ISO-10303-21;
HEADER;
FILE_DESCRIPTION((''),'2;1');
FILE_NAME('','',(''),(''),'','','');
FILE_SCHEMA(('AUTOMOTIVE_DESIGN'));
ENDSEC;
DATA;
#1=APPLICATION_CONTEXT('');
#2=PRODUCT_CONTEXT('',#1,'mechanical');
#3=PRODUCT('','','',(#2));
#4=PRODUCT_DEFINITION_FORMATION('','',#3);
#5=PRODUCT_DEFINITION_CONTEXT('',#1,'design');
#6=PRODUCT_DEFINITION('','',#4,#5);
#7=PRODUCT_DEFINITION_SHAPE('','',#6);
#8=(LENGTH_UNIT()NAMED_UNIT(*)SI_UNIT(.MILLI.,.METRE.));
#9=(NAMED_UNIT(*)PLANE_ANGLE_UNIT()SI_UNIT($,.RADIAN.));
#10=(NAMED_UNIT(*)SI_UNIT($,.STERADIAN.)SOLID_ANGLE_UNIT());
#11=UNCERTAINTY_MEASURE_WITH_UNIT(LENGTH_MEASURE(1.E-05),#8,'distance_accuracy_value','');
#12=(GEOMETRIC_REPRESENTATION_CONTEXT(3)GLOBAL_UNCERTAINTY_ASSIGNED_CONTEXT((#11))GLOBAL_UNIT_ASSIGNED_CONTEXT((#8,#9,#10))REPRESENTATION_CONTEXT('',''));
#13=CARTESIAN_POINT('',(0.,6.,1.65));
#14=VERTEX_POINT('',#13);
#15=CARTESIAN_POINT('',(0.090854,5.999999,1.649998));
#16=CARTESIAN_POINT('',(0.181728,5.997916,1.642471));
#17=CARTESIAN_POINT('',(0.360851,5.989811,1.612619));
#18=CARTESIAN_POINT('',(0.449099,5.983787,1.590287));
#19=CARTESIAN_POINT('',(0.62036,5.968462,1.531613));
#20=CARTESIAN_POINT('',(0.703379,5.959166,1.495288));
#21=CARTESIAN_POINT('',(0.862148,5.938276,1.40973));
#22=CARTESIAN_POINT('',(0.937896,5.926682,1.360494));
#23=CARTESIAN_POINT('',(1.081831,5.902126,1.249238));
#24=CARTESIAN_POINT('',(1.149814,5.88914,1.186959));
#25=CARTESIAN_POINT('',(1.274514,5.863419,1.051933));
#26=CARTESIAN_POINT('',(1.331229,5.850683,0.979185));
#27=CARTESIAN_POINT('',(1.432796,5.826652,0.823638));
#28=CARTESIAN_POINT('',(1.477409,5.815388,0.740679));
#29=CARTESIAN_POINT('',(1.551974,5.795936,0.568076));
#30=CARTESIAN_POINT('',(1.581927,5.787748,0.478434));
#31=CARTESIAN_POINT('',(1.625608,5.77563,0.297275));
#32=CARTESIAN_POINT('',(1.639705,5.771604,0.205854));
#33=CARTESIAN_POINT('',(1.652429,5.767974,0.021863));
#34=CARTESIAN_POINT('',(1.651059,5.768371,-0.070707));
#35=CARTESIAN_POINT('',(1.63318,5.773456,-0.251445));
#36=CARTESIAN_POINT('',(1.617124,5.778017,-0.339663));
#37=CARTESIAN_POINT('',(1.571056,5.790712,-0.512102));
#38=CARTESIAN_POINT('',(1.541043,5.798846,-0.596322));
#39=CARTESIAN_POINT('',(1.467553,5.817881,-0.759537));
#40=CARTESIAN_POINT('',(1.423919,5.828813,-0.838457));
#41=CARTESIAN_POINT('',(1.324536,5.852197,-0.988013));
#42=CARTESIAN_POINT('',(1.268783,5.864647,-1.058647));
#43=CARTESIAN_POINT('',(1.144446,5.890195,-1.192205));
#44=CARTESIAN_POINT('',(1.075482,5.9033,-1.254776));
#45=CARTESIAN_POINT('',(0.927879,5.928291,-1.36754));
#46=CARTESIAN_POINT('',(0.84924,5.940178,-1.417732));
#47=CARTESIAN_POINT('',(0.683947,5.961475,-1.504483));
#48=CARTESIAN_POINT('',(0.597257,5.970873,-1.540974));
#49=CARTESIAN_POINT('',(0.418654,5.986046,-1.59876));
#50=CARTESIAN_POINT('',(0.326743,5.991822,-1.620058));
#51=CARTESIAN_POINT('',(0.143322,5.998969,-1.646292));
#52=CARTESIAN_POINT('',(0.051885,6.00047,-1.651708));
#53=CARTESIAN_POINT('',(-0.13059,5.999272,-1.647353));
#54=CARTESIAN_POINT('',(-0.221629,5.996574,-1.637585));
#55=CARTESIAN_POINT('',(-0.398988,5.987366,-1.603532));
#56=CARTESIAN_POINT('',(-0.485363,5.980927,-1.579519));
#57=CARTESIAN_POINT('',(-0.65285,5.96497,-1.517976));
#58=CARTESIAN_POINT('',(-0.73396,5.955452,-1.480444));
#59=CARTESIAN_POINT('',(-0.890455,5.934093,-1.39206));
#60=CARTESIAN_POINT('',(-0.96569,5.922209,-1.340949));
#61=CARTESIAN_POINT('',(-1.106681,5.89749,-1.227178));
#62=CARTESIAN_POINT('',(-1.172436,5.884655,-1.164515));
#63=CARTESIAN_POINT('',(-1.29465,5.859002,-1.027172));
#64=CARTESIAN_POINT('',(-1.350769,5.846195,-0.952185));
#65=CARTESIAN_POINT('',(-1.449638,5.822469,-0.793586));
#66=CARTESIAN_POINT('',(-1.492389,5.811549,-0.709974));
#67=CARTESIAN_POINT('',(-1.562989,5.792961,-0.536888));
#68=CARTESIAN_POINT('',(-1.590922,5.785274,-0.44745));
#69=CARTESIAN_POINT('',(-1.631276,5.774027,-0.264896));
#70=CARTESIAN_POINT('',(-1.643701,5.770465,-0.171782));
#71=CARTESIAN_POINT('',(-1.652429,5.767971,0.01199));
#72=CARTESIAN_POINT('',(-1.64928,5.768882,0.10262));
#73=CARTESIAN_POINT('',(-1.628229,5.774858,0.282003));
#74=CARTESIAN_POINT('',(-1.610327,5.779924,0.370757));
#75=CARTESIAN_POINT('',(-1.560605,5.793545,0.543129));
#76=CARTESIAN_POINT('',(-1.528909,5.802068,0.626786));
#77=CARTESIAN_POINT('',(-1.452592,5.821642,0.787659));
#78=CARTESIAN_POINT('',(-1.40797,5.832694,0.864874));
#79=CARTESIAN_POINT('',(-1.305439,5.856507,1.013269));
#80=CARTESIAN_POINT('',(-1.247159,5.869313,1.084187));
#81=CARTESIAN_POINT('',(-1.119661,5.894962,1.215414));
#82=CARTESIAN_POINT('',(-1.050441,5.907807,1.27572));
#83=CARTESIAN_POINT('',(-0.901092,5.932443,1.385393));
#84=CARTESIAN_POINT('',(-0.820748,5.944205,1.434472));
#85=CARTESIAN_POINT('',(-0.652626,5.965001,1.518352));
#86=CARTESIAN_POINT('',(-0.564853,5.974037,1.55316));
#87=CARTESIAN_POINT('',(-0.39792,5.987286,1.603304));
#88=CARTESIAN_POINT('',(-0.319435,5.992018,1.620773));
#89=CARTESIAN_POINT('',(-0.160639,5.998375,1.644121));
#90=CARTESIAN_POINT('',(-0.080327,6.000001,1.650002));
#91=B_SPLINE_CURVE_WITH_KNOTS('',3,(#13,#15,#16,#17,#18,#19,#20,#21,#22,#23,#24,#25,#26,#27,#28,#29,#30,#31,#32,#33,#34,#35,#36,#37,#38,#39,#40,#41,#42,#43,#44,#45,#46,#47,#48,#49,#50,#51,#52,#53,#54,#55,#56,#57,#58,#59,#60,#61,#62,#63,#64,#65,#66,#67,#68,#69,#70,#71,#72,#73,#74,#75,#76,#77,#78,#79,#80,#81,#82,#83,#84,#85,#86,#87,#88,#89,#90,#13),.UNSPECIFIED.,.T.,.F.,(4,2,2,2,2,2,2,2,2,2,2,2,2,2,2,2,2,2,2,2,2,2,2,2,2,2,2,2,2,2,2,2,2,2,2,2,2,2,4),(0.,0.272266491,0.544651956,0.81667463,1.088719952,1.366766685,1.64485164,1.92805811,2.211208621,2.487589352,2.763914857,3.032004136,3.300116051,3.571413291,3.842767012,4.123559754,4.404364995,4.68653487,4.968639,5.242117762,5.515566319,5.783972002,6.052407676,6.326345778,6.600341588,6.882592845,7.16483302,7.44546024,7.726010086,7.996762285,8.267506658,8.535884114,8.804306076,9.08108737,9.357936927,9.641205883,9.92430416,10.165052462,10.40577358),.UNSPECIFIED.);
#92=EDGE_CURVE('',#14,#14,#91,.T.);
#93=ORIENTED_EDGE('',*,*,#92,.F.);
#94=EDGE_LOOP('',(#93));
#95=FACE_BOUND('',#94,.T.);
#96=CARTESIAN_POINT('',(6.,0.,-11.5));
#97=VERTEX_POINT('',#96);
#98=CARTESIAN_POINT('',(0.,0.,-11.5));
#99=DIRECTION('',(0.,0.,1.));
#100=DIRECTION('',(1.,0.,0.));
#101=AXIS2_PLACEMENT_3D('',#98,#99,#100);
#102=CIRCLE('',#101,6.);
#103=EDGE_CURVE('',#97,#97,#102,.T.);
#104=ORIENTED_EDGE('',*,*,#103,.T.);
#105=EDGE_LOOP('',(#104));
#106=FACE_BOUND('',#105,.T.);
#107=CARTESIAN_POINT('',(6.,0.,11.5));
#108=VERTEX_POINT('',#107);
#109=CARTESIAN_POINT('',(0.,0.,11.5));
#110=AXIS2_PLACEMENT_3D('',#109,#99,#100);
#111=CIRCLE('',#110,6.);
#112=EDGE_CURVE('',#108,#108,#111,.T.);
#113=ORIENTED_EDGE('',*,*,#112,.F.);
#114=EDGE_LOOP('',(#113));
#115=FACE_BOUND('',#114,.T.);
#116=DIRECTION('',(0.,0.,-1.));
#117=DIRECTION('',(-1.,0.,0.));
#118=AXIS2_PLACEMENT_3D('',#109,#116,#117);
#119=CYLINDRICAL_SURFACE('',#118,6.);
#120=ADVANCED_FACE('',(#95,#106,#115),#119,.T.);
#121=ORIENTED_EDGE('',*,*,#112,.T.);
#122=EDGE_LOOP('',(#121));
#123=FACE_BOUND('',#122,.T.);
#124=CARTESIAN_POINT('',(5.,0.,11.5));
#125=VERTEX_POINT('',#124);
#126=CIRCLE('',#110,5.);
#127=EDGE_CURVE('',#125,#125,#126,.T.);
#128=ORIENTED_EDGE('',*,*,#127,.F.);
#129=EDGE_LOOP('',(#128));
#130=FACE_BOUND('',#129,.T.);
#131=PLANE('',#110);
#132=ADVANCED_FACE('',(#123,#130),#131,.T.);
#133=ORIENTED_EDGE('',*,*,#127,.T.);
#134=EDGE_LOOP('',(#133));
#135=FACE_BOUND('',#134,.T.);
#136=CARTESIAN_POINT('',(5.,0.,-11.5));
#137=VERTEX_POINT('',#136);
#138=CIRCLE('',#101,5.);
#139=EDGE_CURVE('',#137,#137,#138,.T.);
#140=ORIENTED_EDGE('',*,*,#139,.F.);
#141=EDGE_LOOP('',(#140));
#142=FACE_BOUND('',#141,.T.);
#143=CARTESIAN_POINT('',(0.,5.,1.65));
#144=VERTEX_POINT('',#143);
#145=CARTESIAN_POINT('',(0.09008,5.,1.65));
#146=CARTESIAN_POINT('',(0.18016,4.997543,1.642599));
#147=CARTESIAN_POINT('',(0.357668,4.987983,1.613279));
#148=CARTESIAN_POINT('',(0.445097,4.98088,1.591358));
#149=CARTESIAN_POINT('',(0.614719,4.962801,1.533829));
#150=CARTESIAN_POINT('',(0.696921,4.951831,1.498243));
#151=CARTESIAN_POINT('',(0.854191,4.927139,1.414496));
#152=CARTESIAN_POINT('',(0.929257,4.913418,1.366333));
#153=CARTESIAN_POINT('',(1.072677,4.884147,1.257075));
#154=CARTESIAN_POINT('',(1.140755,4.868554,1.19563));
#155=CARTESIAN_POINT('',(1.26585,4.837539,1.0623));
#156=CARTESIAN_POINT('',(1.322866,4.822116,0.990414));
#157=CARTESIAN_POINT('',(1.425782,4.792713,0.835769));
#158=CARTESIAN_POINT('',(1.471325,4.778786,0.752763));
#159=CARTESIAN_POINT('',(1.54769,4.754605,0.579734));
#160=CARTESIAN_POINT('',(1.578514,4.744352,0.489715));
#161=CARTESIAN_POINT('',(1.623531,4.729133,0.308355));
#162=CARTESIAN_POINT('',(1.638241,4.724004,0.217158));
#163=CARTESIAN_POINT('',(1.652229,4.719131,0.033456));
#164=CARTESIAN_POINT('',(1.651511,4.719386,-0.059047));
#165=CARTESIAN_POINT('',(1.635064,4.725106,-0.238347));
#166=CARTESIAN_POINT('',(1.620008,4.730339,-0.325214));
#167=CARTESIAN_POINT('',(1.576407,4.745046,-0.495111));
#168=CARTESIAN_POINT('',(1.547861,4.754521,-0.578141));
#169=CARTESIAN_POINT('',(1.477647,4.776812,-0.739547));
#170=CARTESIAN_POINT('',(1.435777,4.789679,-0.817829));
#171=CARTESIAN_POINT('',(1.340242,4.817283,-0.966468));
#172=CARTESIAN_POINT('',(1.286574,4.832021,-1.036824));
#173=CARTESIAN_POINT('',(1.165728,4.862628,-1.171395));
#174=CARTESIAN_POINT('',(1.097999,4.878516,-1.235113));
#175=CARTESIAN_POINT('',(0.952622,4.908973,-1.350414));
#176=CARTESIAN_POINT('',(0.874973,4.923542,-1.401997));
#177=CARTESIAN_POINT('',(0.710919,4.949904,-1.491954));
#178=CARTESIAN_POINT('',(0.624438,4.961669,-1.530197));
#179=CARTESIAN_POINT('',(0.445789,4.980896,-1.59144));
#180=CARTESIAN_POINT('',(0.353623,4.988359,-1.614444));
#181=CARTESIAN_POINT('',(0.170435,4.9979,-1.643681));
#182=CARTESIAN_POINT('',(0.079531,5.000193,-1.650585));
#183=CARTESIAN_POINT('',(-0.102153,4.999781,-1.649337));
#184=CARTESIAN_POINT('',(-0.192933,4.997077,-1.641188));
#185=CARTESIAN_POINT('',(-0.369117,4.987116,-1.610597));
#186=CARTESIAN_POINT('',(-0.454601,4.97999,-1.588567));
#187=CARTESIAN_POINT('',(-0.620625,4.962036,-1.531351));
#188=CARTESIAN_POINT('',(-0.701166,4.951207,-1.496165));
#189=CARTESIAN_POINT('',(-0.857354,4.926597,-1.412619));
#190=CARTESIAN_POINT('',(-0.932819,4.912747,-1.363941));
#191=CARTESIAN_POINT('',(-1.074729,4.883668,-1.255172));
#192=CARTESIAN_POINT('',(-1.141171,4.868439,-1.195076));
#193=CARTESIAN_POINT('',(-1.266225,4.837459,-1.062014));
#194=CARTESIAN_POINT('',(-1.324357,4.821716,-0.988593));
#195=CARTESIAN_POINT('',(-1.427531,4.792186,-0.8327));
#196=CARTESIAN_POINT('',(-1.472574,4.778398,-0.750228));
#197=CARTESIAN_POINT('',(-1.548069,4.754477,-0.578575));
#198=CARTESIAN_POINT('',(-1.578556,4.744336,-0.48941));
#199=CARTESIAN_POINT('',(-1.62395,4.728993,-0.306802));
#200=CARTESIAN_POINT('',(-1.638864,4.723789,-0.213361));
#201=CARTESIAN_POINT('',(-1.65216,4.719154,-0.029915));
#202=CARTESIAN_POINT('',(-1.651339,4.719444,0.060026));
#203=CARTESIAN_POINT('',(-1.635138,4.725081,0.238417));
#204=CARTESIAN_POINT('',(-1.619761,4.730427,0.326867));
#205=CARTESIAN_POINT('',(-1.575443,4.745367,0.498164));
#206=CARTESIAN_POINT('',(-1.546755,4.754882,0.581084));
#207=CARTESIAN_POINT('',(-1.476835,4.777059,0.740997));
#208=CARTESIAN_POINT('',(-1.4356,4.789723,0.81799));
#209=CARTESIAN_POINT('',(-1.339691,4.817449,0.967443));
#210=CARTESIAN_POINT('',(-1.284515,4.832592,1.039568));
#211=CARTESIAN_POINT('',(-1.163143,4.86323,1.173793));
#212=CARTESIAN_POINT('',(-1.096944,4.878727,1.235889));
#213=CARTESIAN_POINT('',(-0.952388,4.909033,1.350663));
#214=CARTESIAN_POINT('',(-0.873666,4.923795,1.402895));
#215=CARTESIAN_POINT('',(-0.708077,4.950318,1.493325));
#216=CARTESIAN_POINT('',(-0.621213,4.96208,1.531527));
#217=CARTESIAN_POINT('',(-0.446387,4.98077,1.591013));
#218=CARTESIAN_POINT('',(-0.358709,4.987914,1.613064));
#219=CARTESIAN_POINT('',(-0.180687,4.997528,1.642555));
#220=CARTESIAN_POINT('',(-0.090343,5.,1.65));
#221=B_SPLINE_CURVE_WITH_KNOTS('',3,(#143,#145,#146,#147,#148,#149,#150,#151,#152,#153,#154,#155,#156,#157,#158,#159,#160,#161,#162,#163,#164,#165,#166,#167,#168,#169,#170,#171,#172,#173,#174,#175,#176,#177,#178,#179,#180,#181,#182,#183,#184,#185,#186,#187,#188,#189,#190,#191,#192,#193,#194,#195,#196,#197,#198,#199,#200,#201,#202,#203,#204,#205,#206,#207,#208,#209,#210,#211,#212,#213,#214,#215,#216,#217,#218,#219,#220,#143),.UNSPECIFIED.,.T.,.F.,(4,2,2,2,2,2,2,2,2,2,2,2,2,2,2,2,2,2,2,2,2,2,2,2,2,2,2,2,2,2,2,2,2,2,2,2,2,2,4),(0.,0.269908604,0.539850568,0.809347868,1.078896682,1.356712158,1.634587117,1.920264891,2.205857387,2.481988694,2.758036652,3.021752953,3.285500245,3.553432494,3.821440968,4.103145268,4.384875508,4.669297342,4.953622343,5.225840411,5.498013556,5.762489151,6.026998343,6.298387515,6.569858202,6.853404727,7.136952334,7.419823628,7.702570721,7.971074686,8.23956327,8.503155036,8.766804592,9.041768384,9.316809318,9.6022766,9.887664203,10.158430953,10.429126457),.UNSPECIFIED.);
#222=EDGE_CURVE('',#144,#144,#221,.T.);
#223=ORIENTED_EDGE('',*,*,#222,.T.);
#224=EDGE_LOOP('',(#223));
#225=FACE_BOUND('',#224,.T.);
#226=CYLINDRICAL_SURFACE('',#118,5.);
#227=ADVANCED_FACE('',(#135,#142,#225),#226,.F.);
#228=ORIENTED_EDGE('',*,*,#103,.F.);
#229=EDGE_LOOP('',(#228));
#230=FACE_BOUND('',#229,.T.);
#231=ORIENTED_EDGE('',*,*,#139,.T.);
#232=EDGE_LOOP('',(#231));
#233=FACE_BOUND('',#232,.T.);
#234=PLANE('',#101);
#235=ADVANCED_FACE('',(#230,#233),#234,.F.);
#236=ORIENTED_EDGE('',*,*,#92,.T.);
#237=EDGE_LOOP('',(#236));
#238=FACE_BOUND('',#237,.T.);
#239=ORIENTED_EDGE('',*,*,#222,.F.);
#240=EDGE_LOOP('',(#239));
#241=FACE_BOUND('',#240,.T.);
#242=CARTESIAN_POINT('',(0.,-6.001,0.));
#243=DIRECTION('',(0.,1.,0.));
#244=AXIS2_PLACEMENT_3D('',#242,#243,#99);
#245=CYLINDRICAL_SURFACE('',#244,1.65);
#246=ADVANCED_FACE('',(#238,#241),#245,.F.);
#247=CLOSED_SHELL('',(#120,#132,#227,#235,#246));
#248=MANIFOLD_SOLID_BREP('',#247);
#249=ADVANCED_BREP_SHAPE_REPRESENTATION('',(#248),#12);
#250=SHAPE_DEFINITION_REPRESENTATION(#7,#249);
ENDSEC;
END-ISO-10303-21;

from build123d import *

# Parameters (mm, degrees)
SKETCH1_R               = 6
SKETCH1_R_2             = 5
BOSS_EXTRUDE2_DEPTH     = 11.5
CUT_EXTRUDE1_REACH      = 19.671
CUT_EXTRUDE1_END_RADIUS = 5
SKETCH2_R               = 1.65


with BuildPart() as part:
    # Sketch1 → Boss-Extrude2 (new, symmetric)
    with BuildSketch(Plane.XY):
        Circle(SKETCH1_R)
        Circle(SKETCH1_R_2, mode=Mode.SUBTRACT)
    extrude(amount=BOSS_EXTRUDE2_DEPTH, both=True)

    # Cut-Extrude1: up to this cylinder (the profile starts outside it)
    cut_extrude1_end = Plane(origin=(0, 0, 0), z_dir=(0, 0, -1)) * Cylinder(CUT_EXTRUDE1_END_RADIUS, 50.342, mode=Mode.PRIVATE)
    # Sketch2 → Cut-Extrude1 (cut, up to the surface)
    with BuildSketch(Plane(origin=(0, 6, 0), x_dir=(1, 0, 0), z_dir=(0, 1, 0)), mode=Mode.PRIVATE) as cut_extrude1_sk1:
        with Locations(Location((0, 0, 0), (0, 0, 270))):
            Circle(SKETCH2_R)
    cut_extrude1_tool1 = extrude(cut_extrude1_sk1.sketch, amount=-CUT_EXTRUDE1_REACH, mode=Mode.PRIVATE) - cut_extrude1_end
    add(cut_extrude1_tool1.solids().sort_by_distance((0, 6, 0))[0], mode=Mode.SUBTRACT)


solid = part.part
